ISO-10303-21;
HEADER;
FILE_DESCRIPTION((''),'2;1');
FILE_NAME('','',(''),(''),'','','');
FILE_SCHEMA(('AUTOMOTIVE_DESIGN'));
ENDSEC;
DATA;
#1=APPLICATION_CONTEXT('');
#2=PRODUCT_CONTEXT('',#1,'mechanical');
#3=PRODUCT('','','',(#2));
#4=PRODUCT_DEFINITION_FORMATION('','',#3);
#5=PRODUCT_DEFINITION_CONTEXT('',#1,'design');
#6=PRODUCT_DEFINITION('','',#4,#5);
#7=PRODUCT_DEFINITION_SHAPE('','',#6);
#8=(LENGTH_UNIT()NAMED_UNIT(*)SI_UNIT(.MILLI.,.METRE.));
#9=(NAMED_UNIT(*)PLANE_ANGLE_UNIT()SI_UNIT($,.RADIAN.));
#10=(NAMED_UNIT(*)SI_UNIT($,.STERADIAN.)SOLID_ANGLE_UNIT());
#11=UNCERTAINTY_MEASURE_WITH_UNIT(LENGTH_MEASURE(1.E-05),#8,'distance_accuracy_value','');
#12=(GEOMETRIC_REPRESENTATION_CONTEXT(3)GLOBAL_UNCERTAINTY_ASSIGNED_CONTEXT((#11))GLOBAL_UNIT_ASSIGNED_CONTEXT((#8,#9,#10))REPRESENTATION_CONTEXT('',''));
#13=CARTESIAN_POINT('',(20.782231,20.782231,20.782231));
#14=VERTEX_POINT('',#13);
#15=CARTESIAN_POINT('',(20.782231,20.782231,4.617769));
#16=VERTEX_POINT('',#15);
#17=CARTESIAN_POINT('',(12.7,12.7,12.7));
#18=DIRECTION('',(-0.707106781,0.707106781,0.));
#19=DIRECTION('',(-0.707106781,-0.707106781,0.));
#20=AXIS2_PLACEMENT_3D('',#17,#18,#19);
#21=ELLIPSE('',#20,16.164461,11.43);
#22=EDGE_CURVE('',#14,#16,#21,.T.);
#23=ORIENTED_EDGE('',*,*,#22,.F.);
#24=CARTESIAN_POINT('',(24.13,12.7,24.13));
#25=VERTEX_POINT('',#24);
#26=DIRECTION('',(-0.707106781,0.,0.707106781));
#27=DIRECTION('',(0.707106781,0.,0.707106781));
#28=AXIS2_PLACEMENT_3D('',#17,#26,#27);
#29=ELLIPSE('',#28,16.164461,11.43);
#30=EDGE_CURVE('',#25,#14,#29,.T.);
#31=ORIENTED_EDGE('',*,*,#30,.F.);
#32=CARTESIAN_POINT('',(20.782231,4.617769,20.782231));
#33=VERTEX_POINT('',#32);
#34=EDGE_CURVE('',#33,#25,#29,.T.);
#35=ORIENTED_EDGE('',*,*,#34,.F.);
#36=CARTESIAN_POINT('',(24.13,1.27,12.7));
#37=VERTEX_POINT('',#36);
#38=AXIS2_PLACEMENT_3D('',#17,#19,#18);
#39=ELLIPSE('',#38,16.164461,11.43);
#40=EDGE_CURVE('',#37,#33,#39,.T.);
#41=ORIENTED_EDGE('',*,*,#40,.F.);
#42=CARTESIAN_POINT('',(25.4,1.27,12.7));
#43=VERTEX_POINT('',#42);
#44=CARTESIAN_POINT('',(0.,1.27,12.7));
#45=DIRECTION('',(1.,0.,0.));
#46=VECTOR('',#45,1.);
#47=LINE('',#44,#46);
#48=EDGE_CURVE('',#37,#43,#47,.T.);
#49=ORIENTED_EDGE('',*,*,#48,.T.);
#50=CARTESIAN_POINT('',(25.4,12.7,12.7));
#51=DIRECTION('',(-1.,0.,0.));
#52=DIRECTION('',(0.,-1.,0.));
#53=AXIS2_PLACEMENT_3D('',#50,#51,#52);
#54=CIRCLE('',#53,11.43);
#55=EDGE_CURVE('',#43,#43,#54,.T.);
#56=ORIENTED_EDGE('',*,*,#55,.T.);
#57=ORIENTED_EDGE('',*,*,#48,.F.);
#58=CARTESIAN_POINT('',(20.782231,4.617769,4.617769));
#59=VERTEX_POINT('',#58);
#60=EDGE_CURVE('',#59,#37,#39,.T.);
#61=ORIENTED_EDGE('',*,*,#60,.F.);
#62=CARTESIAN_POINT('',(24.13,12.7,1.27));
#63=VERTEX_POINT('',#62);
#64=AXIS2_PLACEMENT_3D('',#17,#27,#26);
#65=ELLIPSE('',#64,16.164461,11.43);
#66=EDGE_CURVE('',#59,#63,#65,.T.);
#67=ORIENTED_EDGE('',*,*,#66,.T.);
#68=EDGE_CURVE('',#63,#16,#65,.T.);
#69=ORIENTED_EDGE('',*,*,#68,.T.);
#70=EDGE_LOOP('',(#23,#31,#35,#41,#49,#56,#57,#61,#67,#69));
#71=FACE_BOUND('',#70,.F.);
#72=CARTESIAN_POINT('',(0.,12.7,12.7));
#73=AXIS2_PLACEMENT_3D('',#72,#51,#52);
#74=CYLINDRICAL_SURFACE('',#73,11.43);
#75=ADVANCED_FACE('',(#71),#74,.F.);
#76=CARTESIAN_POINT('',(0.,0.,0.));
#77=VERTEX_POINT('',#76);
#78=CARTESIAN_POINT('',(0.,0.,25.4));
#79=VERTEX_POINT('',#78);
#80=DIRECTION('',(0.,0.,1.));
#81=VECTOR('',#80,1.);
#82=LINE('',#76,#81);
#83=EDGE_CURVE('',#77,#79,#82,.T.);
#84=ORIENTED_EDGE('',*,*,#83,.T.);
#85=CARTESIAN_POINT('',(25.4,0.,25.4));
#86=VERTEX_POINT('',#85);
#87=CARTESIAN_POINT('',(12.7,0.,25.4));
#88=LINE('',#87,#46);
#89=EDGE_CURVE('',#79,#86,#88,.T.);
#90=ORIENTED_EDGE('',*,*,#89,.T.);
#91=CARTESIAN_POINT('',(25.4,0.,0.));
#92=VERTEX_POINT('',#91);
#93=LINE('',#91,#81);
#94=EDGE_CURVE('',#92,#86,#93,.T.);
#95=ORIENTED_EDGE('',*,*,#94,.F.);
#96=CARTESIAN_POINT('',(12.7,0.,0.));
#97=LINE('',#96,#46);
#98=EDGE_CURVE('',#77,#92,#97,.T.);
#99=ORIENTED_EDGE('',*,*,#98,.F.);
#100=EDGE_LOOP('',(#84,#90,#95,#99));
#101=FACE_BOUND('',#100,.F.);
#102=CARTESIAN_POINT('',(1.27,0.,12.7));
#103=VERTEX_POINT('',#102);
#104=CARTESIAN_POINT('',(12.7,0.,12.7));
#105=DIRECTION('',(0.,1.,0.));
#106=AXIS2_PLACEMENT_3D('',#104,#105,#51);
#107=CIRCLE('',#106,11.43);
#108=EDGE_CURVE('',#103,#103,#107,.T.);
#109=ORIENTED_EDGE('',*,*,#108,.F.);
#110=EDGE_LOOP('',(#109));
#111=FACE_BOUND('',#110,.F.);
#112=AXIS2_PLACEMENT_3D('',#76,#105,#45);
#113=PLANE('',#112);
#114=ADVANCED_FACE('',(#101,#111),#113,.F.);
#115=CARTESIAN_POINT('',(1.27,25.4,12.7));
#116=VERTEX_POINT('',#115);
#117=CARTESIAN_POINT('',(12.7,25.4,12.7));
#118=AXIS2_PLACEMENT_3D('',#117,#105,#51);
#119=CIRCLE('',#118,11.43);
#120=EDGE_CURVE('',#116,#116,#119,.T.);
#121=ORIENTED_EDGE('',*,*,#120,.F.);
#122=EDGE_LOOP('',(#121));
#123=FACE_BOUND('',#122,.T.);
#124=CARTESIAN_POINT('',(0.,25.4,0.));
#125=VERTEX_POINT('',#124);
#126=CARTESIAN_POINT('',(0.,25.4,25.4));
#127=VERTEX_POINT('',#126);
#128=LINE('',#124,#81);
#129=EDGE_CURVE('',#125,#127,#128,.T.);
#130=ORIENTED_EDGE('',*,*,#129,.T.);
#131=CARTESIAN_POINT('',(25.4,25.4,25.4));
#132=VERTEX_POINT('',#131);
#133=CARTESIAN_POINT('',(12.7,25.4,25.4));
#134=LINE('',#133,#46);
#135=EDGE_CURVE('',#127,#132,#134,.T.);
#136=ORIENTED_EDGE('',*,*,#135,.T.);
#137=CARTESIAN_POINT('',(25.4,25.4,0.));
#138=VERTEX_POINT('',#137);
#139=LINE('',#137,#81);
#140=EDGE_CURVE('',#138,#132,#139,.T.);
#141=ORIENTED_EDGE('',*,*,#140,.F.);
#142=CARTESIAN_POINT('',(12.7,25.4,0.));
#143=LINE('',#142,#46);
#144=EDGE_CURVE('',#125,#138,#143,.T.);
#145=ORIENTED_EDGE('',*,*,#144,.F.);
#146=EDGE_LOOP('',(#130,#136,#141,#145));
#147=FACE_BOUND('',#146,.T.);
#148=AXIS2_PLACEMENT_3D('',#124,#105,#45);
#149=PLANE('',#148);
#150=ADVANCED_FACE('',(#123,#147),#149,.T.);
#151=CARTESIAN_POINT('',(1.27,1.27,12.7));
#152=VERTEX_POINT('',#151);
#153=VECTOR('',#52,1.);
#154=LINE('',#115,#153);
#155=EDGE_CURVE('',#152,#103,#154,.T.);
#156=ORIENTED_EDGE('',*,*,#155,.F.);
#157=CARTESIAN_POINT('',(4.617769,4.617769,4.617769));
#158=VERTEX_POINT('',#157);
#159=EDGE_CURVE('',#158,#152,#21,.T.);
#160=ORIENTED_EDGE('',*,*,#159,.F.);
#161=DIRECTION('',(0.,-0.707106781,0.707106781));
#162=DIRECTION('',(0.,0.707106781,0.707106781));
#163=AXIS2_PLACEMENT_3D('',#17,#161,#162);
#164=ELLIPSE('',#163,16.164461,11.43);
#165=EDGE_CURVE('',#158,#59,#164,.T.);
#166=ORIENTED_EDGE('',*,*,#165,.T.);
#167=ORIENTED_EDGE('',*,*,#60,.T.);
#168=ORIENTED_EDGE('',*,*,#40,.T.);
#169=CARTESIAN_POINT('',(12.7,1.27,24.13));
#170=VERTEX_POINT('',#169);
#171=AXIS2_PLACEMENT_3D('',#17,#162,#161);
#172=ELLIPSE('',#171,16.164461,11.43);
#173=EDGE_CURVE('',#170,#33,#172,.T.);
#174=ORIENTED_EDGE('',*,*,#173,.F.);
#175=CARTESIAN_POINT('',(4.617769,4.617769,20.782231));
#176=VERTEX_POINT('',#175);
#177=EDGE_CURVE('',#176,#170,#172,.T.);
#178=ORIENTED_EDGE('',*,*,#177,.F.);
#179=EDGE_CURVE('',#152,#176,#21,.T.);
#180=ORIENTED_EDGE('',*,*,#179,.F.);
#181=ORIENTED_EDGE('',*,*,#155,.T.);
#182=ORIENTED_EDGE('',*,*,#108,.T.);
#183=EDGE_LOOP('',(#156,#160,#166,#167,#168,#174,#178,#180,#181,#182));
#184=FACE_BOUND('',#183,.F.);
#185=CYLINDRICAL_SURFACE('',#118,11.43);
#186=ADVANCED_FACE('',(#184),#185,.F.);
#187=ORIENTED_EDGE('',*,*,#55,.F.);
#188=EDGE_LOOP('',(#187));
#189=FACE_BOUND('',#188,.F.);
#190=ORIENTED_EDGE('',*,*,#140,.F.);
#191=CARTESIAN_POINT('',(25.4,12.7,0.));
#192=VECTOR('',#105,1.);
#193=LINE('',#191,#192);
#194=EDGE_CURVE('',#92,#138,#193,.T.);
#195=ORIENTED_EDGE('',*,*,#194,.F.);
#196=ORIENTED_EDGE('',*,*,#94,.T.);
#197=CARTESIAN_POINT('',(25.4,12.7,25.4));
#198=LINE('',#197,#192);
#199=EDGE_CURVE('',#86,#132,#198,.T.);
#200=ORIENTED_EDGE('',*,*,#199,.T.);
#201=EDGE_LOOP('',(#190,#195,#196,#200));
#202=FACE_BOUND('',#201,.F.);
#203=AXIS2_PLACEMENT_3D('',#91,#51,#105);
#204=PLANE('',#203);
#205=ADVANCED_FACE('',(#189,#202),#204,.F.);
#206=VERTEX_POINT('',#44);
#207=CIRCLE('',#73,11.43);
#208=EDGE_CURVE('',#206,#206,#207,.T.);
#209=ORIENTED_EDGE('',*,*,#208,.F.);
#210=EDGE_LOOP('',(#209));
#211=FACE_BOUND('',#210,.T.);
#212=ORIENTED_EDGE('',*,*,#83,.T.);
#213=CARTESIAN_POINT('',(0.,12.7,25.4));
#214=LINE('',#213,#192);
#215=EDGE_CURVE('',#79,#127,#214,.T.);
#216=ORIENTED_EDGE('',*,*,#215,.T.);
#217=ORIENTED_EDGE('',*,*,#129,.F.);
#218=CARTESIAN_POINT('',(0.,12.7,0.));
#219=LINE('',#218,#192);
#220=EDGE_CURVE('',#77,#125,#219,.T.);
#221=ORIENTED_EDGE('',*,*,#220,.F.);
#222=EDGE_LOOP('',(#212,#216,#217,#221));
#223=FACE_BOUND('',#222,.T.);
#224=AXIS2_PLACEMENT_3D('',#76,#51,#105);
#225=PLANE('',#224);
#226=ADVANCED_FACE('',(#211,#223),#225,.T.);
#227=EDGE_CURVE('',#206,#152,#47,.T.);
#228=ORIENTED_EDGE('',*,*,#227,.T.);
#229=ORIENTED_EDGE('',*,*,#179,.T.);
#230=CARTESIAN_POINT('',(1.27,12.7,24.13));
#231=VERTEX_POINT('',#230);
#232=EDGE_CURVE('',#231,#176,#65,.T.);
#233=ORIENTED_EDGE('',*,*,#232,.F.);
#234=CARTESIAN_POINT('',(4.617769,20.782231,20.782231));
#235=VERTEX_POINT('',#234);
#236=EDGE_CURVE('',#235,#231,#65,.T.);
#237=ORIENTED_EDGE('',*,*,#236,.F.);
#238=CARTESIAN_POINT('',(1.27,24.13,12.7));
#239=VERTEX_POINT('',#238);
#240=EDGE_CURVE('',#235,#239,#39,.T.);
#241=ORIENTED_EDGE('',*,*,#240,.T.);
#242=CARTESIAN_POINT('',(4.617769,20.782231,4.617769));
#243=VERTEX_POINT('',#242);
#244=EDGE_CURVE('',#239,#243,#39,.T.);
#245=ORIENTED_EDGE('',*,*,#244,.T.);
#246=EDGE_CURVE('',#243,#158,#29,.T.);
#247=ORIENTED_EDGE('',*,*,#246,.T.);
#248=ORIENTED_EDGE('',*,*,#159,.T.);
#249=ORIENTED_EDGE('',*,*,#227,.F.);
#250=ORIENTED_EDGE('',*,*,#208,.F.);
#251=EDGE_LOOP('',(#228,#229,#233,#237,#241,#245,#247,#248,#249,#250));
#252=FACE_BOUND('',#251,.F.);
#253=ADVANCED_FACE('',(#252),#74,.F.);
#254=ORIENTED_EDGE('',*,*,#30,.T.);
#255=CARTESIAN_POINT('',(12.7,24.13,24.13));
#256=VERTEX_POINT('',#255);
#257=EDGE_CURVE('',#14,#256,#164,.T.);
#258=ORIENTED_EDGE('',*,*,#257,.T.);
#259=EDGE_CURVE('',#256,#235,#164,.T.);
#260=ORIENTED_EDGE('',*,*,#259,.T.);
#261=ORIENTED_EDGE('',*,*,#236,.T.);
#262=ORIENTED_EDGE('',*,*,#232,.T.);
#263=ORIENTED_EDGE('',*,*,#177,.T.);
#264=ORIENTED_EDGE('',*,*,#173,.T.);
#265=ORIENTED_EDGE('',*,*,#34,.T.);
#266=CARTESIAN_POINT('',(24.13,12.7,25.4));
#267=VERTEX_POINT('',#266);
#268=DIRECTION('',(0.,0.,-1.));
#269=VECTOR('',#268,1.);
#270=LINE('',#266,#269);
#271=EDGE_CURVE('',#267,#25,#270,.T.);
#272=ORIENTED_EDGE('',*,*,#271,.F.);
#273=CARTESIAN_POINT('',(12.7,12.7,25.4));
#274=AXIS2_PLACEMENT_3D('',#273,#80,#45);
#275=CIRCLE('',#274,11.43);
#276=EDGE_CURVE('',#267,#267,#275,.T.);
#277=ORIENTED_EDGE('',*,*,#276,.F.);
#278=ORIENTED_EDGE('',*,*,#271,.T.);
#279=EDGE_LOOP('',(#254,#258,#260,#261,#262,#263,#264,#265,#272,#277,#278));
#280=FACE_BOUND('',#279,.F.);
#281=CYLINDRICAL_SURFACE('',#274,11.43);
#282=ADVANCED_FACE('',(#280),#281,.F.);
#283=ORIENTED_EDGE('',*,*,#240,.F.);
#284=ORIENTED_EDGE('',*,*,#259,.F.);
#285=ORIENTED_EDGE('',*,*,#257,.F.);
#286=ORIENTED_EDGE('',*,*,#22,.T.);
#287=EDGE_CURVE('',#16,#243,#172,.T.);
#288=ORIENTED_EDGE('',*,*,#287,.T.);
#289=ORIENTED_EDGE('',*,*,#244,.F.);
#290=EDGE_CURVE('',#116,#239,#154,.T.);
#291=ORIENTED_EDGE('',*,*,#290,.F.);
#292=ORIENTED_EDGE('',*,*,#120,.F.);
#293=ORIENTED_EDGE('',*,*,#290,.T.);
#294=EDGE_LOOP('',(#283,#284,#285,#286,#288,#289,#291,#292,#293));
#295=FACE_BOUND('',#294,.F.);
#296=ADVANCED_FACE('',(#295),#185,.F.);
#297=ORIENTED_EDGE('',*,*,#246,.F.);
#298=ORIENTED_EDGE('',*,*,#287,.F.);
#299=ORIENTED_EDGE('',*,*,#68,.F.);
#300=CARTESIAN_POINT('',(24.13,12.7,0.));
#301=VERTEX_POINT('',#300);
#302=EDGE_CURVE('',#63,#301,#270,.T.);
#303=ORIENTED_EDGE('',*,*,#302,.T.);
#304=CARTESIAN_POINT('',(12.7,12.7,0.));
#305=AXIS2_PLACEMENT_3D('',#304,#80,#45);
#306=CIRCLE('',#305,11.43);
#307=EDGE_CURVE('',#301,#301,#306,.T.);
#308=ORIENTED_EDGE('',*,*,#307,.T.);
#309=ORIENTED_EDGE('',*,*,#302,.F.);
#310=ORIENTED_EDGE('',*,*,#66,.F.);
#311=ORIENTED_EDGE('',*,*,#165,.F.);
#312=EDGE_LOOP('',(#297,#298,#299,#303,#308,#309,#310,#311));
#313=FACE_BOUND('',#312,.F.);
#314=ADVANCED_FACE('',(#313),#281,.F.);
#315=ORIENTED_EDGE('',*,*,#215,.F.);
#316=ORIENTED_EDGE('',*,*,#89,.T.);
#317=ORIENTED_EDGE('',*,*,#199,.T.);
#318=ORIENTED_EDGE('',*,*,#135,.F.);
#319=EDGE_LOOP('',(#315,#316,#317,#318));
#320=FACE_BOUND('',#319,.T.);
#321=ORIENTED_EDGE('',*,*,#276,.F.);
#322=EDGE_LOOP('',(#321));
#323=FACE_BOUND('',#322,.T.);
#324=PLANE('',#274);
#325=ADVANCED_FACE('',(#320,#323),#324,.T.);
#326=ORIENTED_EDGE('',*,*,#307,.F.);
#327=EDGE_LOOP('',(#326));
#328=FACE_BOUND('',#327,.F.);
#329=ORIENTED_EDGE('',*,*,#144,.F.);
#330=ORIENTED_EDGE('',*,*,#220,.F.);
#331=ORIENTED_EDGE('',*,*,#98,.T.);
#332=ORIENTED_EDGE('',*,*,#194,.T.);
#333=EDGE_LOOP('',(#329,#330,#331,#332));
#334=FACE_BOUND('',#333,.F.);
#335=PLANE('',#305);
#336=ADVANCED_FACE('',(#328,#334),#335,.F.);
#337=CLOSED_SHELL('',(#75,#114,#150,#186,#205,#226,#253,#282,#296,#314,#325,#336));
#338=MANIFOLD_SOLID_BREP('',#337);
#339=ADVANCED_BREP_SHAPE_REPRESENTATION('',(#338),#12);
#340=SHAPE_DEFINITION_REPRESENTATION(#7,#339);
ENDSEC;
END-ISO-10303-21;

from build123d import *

# Parameters (mm, degrees)
F0_W     = 25.4
F0_H     = 25.4
F1_DEPTH = 25.4
F2_R     = 11.43
F3_DEPTH = 25.401
F4_R     = 11.43
F5_DEPTH = 25.401
F6_R     = 11.43
F7_DEPTH = 25.401


with BuildPart() as f1:
    # F0 (on Top) → F1 (new body)
    with BuildSketch(Plane.XY):
        with Locations((12.7, 12.7)):
            Rectangle(F0_W, F0_H)
    extrude(amount=F1_DEPTH)

    # F2 (on face) → F3 (cut, through all)
    with BuildSketch(Plane.XY.offset(25.4)):
        with Locations((12.7, 12.7)):
            Circle(F2_R)
    extrude(amount=-F3_DEPTH, mode=Mode.SUBTRACT)

    # F4 (on face) → F5 (cut, through all)
    with BuildSketch(Plane(origin=(0, 0, 0), x_dir=(0, -1, 0), z_dir=(-1, 0, 0))):
        with Locations((-12.7, 12.7)):
            Circle(F4_R)
    extrude(amount=-F5_DEPTH, mode=Mode.SUBTRACT)

    # F6 (on face) → F7 (cut, through all)
    with BuildSketch(Plane(origin=(0, 25.4, 0), x_dir=(-1, 0, 0), z_dir=(0, 1, 0))):
        with Locations((-12.7, 12.7)):
            Circle(F6_R)
    extrude(amount=-F7_DEPTH, mode=Mode.SUBTRACT)


solid = f1.part
